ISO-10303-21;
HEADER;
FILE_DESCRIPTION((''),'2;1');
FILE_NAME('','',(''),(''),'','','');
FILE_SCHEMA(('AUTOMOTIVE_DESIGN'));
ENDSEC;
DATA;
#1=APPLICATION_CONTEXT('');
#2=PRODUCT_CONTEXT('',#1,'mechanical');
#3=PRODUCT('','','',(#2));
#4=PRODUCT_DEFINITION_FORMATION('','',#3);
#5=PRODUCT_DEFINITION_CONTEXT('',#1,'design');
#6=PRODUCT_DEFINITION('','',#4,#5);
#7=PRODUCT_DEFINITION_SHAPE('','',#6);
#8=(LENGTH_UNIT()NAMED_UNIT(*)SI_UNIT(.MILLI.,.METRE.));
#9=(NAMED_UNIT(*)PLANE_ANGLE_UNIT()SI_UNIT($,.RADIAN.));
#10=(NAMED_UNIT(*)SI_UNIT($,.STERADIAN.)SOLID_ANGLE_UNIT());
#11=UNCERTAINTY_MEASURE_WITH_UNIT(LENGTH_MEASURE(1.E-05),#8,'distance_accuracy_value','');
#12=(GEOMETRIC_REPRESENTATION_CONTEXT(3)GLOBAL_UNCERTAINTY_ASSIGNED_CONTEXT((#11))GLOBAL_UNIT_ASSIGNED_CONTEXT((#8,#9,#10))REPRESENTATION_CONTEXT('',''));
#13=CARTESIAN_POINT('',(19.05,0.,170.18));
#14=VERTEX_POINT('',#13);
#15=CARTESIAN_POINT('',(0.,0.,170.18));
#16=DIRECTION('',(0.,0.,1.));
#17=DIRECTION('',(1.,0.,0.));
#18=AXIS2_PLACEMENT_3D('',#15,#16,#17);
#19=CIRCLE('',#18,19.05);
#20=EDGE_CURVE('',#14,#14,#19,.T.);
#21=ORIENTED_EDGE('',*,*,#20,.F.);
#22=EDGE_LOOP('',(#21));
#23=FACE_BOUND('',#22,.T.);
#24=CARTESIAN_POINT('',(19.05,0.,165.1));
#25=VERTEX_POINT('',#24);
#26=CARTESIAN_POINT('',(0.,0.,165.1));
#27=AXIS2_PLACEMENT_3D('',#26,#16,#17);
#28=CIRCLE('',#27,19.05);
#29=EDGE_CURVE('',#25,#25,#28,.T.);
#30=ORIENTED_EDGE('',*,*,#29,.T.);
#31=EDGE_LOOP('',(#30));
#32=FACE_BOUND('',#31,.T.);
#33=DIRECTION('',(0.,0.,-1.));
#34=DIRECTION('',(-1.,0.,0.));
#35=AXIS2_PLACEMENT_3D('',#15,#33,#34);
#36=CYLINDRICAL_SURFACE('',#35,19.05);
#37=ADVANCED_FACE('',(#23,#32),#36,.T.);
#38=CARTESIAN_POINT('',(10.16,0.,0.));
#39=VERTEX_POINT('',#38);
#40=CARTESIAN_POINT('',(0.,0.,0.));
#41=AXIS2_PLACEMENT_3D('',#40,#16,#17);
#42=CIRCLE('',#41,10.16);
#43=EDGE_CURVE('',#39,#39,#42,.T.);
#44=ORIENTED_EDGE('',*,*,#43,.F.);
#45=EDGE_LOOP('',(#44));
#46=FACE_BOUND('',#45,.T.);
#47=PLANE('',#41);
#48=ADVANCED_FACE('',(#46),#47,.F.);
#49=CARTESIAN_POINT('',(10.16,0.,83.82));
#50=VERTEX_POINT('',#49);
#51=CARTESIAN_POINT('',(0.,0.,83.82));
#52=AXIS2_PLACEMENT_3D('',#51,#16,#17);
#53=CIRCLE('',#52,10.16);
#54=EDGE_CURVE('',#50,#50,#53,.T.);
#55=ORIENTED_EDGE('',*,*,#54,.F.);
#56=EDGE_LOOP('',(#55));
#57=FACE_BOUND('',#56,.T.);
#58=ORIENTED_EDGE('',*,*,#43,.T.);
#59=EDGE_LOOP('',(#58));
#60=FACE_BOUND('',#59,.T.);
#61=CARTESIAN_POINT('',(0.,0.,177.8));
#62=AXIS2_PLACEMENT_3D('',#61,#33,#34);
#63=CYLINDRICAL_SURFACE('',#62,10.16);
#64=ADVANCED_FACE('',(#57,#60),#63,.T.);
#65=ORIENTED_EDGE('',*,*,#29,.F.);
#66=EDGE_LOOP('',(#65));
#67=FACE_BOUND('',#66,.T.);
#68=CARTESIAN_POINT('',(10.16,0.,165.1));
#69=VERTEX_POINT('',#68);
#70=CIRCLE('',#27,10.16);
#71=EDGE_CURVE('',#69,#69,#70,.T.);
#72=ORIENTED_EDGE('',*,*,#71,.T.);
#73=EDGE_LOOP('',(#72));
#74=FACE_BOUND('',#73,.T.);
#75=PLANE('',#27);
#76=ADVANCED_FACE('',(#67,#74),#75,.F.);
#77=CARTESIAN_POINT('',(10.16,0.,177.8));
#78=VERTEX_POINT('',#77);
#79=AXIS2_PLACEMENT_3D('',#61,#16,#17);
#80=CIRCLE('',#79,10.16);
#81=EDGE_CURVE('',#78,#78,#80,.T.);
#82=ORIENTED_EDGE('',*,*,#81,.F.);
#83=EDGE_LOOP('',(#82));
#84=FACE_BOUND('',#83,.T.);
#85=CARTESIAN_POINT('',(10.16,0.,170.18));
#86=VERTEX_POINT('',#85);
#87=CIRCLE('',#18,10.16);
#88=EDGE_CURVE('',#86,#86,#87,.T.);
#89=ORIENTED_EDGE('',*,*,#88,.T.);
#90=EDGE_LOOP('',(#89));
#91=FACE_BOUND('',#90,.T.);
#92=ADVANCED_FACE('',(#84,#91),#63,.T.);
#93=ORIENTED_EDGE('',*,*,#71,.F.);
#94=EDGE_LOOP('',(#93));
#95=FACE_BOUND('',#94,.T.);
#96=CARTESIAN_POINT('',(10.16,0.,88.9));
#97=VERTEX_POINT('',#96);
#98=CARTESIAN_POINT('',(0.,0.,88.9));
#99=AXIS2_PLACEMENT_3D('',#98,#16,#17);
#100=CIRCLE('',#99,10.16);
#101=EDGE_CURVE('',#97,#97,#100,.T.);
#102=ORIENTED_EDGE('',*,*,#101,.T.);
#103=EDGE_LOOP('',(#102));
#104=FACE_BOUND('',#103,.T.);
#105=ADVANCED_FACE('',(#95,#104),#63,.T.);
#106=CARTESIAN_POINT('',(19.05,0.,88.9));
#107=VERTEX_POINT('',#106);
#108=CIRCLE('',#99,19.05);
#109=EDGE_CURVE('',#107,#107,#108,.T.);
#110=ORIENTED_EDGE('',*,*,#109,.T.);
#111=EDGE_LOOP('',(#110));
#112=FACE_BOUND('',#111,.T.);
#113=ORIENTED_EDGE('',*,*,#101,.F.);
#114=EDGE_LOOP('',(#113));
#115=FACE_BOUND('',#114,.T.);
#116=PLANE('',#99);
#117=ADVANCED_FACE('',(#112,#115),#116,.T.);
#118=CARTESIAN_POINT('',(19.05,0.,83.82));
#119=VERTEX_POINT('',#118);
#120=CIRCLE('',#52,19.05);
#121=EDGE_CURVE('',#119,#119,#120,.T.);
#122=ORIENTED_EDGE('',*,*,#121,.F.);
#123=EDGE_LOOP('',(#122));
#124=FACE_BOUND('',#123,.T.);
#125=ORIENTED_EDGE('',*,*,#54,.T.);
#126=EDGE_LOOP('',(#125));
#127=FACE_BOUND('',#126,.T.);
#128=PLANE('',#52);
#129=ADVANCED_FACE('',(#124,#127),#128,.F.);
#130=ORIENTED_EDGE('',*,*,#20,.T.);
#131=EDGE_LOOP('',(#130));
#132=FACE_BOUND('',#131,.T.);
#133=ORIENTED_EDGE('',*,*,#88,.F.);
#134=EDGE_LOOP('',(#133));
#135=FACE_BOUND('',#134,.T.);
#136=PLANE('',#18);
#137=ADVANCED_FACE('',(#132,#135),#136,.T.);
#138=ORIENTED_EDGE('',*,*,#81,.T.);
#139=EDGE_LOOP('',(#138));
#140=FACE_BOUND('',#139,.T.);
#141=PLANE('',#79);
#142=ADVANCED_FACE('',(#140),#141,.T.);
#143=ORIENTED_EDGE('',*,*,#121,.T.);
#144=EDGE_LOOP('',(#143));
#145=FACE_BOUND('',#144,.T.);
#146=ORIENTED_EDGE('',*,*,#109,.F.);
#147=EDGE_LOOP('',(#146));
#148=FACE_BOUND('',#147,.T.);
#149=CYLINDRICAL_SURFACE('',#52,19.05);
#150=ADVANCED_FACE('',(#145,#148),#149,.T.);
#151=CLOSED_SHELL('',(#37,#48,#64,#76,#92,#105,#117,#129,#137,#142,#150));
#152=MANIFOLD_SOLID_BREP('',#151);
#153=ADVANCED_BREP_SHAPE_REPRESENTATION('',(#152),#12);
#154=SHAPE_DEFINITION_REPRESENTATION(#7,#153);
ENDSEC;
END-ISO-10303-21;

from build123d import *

# Parameters (mm, degrees)
SKETCH1_R           = 10.16
BOSS_EXTRUDE1_DEPTH = 177.8
BOSS_EXTRUDE2_START = -12.7
SKETCH2_R           = 19.05
BOSS_EXTRUDE2_DEPTH = 5.08
BOSS_EXTRUDE3_START = -93.98
SKETCH3_R           = 19.05
BOSS_EXTRUDE3_DEPTH = 5.08


with BuildPart() as part:
    # Sketch1 → Boss-Extrude1 (new body)
    with BuildSketch(Plane.XY):
        Circle(SKETCH1_R)
    extrude(amount=BOSS_EXTRUDE1_DEPTH)

    # Sketch2 → Boss-Extrude2 (add)
    with BuildSketch(Plane.XY.offset(177.8).offset(BOSS_EXTRUDE2_START)):
        Circle(SKETCH2_R)
    extrude(amount=BOSS_EXTRUDE2_DEPTH)

    # Sketch3 → Boss-Extrude3 (add)
    with BuildSketch(Plane.XY.offset(177.8).offset(BOSS_EXTRUDE3_START)):
        Circle(SKETCH3_R)
    extrude(amount=BOSS_EXTRUDE3_DEPTH)


solid = part.part
